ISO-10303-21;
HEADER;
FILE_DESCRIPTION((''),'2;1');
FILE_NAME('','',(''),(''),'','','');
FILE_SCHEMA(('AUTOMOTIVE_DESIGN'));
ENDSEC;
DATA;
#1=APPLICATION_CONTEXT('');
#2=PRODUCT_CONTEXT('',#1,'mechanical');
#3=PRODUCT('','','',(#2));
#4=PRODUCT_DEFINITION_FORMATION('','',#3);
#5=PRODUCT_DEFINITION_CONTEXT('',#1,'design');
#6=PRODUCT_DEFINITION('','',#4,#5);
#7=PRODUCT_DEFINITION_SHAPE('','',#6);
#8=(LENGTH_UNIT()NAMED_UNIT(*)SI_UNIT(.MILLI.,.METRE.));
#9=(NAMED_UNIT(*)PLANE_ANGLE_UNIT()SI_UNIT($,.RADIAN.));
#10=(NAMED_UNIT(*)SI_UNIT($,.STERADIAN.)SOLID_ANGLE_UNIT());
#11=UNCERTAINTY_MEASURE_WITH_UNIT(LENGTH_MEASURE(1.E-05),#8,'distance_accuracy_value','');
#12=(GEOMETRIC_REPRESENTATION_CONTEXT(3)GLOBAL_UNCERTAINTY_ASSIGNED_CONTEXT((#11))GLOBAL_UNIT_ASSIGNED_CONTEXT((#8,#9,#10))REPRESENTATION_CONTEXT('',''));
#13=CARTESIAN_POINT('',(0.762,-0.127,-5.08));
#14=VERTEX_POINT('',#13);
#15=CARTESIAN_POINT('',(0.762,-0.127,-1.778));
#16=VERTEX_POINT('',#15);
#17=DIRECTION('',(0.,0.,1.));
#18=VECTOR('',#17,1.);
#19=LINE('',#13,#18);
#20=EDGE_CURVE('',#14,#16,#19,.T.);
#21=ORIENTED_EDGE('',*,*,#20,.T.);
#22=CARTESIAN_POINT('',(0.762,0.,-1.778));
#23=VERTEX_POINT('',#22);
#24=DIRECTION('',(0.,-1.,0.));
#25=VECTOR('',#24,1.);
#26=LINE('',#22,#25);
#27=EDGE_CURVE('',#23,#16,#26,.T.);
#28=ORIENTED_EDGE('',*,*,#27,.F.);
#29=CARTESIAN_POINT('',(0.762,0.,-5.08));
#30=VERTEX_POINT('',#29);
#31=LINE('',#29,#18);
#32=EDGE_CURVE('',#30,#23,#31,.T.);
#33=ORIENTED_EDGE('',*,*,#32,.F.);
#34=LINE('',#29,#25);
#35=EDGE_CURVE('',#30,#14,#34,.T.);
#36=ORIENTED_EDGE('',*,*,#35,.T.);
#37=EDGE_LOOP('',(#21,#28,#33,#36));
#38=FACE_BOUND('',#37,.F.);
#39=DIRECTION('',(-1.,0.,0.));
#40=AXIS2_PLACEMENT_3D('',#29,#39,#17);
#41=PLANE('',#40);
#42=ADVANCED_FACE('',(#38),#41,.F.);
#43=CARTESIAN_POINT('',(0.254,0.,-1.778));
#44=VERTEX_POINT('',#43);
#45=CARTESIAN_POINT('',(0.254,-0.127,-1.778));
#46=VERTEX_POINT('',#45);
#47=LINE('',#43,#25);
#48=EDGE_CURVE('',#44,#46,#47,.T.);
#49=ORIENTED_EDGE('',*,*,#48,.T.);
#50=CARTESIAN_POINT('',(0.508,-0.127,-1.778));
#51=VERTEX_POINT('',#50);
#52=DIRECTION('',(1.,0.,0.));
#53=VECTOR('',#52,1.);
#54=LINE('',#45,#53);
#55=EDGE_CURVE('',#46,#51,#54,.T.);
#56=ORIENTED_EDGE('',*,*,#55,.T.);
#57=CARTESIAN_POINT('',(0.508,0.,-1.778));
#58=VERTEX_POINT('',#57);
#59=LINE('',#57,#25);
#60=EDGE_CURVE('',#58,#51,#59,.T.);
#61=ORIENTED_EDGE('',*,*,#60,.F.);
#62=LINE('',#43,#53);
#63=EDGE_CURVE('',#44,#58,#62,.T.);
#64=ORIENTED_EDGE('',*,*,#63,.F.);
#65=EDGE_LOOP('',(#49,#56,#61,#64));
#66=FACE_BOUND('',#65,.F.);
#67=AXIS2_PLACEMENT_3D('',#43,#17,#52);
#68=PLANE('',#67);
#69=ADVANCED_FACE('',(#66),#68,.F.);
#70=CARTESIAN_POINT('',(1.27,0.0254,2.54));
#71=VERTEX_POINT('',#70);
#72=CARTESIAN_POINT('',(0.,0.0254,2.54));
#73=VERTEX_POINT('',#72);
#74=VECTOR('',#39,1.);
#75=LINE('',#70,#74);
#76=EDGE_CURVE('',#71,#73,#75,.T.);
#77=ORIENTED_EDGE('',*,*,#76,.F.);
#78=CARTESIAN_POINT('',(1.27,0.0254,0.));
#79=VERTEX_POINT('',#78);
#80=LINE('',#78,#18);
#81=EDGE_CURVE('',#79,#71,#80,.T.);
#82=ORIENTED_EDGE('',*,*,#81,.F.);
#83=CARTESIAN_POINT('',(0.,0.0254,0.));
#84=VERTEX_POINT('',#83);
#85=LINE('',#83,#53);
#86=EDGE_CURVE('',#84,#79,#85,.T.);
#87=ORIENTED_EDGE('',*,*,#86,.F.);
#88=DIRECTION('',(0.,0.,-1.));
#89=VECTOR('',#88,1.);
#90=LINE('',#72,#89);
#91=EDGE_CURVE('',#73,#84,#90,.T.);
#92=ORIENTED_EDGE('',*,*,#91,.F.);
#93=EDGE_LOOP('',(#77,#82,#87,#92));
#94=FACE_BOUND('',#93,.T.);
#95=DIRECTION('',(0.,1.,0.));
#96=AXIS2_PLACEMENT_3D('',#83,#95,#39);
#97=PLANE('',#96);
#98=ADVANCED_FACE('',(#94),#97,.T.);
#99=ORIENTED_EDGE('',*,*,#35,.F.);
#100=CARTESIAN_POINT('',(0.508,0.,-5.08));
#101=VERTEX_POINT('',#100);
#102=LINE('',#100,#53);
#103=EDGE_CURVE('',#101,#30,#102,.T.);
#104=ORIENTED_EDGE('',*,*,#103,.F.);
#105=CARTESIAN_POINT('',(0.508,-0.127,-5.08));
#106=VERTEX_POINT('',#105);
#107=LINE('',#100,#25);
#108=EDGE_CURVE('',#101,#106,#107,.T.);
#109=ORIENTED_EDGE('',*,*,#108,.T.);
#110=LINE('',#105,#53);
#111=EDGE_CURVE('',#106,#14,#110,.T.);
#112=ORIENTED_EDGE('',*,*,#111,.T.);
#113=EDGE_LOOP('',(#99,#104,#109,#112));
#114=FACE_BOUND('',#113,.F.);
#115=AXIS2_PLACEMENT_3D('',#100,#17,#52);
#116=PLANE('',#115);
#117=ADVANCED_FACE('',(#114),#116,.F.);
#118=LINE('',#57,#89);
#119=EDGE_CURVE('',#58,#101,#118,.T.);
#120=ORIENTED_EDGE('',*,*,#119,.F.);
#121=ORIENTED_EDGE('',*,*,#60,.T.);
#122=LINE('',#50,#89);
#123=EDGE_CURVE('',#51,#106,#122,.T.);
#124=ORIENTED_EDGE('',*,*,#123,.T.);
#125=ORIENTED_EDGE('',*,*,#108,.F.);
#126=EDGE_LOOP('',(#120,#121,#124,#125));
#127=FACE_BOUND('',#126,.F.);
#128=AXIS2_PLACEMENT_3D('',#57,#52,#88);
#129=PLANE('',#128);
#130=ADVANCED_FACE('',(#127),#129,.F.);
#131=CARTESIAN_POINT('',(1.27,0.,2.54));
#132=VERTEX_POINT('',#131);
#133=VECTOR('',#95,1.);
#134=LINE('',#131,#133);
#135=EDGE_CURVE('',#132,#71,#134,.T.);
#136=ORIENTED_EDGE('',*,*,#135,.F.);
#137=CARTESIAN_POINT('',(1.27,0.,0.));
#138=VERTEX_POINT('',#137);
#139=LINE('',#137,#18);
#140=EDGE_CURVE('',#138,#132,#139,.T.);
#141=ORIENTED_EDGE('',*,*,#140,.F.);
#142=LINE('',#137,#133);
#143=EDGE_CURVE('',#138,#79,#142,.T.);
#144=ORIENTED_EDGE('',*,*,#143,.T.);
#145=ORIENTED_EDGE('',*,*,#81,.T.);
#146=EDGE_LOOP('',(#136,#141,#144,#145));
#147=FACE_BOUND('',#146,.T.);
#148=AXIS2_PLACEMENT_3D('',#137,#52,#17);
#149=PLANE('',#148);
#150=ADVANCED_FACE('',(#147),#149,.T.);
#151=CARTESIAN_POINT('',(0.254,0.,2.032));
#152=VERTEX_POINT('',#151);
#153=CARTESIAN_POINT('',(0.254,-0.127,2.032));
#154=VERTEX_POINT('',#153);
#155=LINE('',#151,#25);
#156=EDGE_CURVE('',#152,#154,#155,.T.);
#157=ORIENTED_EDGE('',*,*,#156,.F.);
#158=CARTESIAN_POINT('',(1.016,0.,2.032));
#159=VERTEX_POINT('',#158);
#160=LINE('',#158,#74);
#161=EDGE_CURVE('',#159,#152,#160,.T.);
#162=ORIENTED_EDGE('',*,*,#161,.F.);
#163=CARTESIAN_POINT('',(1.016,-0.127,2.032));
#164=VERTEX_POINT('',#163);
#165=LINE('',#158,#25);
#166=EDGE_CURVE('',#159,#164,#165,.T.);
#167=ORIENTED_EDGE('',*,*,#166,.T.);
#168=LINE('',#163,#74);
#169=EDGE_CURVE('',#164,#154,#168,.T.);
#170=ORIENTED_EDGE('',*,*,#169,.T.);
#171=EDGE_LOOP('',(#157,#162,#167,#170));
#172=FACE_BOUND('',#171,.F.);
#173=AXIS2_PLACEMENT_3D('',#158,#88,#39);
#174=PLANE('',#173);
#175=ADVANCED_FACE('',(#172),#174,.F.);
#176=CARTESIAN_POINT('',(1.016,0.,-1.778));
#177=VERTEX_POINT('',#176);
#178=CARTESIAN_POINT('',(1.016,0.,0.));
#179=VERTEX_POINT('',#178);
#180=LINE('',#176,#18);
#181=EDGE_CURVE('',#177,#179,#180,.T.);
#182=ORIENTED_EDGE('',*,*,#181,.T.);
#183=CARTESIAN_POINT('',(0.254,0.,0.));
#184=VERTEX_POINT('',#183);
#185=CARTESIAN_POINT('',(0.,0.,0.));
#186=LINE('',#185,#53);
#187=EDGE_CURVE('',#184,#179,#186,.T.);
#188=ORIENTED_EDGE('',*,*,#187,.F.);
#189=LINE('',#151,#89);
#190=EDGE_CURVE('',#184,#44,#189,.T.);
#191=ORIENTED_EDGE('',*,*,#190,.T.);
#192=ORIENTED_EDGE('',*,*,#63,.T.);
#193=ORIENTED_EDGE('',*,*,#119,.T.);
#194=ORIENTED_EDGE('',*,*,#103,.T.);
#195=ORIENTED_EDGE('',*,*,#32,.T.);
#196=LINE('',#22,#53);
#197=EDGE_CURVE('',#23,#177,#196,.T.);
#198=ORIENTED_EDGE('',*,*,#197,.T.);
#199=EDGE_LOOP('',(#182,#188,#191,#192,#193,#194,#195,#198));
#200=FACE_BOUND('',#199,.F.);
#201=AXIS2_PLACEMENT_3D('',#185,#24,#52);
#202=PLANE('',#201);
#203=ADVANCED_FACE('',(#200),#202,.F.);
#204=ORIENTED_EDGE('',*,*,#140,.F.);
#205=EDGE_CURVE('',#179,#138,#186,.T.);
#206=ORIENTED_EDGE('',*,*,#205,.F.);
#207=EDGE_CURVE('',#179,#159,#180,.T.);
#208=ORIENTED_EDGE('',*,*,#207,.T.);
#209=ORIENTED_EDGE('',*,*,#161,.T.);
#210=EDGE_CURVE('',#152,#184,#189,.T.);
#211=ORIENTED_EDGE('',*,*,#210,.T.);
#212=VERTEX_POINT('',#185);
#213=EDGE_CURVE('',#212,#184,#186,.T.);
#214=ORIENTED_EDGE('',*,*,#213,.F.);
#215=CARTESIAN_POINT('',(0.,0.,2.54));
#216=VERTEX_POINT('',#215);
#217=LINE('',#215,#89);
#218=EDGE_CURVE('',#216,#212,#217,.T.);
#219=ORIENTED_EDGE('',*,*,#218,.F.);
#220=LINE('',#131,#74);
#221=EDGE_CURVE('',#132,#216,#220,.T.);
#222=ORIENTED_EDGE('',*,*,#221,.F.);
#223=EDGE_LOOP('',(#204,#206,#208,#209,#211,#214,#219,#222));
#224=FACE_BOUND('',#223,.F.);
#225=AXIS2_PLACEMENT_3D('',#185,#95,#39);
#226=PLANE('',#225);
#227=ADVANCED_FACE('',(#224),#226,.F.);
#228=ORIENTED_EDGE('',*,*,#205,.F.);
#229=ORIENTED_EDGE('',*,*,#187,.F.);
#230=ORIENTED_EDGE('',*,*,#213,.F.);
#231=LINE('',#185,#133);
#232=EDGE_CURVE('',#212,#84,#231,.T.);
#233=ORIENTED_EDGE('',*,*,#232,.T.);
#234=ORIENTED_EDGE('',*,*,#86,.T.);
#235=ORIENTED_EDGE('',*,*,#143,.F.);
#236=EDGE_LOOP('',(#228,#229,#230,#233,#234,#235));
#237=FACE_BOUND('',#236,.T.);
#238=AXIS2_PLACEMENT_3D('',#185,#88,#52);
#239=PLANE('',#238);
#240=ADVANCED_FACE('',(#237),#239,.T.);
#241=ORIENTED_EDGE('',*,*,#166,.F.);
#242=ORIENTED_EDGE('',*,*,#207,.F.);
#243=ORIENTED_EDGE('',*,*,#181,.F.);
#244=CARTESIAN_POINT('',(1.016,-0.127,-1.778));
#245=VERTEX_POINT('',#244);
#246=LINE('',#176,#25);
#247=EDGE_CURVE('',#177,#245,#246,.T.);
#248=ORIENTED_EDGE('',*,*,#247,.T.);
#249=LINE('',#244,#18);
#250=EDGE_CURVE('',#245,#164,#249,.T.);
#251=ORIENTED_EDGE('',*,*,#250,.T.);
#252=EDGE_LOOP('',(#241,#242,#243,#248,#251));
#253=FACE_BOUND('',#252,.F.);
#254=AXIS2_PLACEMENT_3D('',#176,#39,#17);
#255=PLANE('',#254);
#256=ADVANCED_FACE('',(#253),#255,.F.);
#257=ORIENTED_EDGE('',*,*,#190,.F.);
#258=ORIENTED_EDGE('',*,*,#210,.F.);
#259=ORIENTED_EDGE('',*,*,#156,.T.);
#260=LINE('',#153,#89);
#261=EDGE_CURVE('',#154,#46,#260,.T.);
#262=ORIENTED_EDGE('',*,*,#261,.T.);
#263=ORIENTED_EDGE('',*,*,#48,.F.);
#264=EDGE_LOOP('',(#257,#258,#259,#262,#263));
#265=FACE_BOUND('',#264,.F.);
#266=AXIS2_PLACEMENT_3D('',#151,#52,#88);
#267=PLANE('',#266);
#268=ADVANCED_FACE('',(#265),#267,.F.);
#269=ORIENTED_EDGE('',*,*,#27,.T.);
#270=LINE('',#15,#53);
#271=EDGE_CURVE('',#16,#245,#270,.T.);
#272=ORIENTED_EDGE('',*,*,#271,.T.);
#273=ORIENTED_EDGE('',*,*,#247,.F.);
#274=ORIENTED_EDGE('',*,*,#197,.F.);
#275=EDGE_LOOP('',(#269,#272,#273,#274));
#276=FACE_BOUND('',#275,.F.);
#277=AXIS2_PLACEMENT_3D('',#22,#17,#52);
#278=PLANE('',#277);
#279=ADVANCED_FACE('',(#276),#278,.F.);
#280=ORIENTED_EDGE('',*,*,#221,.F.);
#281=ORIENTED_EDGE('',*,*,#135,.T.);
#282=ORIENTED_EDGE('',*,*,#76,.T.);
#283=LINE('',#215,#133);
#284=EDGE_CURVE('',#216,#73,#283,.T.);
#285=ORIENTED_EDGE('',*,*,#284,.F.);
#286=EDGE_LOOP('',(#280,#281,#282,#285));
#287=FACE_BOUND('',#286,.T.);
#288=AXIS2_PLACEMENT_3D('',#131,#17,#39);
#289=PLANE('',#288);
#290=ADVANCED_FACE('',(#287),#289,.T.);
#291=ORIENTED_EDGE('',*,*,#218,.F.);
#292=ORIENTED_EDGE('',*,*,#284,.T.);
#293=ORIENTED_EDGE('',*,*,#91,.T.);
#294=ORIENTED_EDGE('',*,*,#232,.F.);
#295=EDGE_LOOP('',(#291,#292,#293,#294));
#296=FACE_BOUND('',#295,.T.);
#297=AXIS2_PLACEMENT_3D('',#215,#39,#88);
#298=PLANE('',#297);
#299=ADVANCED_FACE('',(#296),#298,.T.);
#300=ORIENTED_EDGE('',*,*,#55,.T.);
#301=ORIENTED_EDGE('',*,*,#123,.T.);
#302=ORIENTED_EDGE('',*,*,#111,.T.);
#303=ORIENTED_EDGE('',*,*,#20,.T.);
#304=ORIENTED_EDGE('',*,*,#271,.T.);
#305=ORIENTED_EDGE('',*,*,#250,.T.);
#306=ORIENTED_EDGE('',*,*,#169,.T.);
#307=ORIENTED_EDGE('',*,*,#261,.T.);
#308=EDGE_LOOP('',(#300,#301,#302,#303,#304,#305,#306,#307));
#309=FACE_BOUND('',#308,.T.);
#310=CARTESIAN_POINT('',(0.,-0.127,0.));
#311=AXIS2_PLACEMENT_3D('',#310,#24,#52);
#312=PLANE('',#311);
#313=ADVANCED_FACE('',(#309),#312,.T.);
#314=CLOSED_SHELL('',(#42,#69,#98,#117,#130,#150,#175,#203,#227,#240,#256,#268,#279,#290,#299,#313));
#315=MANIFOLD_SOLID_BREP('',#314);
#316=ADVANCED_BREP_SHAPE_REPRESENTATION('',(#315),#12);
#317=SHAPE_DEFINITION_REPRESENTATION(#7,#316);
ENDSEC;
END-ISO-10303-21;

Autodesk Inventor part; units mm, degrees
ref_plane "YZ Plane" through (0, 0, 0) normal (1, 0, 0) x (0, 1, 0)
ref_plane "XZ Plane" through (0, 0, 0) normal (0, 1, 0) x (-1, 0, 0)
ref_plane "XY Plane" through (0, 0, 0) normal (0, 0, 1) x (1, 0, 0)
sketch "Sketch1" plane through (0, 0, 0) normal (0, 1, 0) x (-1, 0, 0)
  line L0 (0, 0) -> (-1.27, 0)
  line L1 (-1.27, 0) -> (-1.27, 2.54)
  line L2 (-1.27, 2.54) -> (0, 2.54)
  line L3 (0, 2.54) -> (0, 0)
  dimension "d0" = 1.27
  dimension "d1" = 2.54
extrude "Extrusion1" add sketch "Sketch1" along normal blind 0.0254
sketch "Sketch2" plane through (0, 0, 0) normal (0, -1, 0) x (1, 0, 0)
  line L0 (0, 0) -> (0, 2.54) projected
  line L1 (0.254, 2.032) -> (0.254, -1.778)
  line L2 (0.254, -1.778) -> (0.508, -1.778)
  line L3 (0.508, -1.778) -> (0.508, -5.08)
  line L4 (0.508, -5.08) -> (0.762, -5.08)
  line L5 (0.762, -5.08) -> (0.762, -1.778)
  line L6 (0.762, -1.778) -> (1.016, -1.778)
  line L7 (1.016, -1.778) -> (1.016, 2.032)
  line L8 (1.016, 2.032) -> (0.254, 2.032)
  line L9 (0, 2.54) -> (1.27, 2.54) projected
  point P0 (0.254, 2.032)
  dimension "d4" = 0.762
  dimension "d5" = 3.81
  dimension "d6" = 3.302
  dimension "d7" = 0.254
  dimension "d8" = 0.254
  dimension "d9" = 0.508
extrude "Extrusion2" add sketch "Sketch2" along normal blind 0.127
properties part number "pin" material "Gold"
